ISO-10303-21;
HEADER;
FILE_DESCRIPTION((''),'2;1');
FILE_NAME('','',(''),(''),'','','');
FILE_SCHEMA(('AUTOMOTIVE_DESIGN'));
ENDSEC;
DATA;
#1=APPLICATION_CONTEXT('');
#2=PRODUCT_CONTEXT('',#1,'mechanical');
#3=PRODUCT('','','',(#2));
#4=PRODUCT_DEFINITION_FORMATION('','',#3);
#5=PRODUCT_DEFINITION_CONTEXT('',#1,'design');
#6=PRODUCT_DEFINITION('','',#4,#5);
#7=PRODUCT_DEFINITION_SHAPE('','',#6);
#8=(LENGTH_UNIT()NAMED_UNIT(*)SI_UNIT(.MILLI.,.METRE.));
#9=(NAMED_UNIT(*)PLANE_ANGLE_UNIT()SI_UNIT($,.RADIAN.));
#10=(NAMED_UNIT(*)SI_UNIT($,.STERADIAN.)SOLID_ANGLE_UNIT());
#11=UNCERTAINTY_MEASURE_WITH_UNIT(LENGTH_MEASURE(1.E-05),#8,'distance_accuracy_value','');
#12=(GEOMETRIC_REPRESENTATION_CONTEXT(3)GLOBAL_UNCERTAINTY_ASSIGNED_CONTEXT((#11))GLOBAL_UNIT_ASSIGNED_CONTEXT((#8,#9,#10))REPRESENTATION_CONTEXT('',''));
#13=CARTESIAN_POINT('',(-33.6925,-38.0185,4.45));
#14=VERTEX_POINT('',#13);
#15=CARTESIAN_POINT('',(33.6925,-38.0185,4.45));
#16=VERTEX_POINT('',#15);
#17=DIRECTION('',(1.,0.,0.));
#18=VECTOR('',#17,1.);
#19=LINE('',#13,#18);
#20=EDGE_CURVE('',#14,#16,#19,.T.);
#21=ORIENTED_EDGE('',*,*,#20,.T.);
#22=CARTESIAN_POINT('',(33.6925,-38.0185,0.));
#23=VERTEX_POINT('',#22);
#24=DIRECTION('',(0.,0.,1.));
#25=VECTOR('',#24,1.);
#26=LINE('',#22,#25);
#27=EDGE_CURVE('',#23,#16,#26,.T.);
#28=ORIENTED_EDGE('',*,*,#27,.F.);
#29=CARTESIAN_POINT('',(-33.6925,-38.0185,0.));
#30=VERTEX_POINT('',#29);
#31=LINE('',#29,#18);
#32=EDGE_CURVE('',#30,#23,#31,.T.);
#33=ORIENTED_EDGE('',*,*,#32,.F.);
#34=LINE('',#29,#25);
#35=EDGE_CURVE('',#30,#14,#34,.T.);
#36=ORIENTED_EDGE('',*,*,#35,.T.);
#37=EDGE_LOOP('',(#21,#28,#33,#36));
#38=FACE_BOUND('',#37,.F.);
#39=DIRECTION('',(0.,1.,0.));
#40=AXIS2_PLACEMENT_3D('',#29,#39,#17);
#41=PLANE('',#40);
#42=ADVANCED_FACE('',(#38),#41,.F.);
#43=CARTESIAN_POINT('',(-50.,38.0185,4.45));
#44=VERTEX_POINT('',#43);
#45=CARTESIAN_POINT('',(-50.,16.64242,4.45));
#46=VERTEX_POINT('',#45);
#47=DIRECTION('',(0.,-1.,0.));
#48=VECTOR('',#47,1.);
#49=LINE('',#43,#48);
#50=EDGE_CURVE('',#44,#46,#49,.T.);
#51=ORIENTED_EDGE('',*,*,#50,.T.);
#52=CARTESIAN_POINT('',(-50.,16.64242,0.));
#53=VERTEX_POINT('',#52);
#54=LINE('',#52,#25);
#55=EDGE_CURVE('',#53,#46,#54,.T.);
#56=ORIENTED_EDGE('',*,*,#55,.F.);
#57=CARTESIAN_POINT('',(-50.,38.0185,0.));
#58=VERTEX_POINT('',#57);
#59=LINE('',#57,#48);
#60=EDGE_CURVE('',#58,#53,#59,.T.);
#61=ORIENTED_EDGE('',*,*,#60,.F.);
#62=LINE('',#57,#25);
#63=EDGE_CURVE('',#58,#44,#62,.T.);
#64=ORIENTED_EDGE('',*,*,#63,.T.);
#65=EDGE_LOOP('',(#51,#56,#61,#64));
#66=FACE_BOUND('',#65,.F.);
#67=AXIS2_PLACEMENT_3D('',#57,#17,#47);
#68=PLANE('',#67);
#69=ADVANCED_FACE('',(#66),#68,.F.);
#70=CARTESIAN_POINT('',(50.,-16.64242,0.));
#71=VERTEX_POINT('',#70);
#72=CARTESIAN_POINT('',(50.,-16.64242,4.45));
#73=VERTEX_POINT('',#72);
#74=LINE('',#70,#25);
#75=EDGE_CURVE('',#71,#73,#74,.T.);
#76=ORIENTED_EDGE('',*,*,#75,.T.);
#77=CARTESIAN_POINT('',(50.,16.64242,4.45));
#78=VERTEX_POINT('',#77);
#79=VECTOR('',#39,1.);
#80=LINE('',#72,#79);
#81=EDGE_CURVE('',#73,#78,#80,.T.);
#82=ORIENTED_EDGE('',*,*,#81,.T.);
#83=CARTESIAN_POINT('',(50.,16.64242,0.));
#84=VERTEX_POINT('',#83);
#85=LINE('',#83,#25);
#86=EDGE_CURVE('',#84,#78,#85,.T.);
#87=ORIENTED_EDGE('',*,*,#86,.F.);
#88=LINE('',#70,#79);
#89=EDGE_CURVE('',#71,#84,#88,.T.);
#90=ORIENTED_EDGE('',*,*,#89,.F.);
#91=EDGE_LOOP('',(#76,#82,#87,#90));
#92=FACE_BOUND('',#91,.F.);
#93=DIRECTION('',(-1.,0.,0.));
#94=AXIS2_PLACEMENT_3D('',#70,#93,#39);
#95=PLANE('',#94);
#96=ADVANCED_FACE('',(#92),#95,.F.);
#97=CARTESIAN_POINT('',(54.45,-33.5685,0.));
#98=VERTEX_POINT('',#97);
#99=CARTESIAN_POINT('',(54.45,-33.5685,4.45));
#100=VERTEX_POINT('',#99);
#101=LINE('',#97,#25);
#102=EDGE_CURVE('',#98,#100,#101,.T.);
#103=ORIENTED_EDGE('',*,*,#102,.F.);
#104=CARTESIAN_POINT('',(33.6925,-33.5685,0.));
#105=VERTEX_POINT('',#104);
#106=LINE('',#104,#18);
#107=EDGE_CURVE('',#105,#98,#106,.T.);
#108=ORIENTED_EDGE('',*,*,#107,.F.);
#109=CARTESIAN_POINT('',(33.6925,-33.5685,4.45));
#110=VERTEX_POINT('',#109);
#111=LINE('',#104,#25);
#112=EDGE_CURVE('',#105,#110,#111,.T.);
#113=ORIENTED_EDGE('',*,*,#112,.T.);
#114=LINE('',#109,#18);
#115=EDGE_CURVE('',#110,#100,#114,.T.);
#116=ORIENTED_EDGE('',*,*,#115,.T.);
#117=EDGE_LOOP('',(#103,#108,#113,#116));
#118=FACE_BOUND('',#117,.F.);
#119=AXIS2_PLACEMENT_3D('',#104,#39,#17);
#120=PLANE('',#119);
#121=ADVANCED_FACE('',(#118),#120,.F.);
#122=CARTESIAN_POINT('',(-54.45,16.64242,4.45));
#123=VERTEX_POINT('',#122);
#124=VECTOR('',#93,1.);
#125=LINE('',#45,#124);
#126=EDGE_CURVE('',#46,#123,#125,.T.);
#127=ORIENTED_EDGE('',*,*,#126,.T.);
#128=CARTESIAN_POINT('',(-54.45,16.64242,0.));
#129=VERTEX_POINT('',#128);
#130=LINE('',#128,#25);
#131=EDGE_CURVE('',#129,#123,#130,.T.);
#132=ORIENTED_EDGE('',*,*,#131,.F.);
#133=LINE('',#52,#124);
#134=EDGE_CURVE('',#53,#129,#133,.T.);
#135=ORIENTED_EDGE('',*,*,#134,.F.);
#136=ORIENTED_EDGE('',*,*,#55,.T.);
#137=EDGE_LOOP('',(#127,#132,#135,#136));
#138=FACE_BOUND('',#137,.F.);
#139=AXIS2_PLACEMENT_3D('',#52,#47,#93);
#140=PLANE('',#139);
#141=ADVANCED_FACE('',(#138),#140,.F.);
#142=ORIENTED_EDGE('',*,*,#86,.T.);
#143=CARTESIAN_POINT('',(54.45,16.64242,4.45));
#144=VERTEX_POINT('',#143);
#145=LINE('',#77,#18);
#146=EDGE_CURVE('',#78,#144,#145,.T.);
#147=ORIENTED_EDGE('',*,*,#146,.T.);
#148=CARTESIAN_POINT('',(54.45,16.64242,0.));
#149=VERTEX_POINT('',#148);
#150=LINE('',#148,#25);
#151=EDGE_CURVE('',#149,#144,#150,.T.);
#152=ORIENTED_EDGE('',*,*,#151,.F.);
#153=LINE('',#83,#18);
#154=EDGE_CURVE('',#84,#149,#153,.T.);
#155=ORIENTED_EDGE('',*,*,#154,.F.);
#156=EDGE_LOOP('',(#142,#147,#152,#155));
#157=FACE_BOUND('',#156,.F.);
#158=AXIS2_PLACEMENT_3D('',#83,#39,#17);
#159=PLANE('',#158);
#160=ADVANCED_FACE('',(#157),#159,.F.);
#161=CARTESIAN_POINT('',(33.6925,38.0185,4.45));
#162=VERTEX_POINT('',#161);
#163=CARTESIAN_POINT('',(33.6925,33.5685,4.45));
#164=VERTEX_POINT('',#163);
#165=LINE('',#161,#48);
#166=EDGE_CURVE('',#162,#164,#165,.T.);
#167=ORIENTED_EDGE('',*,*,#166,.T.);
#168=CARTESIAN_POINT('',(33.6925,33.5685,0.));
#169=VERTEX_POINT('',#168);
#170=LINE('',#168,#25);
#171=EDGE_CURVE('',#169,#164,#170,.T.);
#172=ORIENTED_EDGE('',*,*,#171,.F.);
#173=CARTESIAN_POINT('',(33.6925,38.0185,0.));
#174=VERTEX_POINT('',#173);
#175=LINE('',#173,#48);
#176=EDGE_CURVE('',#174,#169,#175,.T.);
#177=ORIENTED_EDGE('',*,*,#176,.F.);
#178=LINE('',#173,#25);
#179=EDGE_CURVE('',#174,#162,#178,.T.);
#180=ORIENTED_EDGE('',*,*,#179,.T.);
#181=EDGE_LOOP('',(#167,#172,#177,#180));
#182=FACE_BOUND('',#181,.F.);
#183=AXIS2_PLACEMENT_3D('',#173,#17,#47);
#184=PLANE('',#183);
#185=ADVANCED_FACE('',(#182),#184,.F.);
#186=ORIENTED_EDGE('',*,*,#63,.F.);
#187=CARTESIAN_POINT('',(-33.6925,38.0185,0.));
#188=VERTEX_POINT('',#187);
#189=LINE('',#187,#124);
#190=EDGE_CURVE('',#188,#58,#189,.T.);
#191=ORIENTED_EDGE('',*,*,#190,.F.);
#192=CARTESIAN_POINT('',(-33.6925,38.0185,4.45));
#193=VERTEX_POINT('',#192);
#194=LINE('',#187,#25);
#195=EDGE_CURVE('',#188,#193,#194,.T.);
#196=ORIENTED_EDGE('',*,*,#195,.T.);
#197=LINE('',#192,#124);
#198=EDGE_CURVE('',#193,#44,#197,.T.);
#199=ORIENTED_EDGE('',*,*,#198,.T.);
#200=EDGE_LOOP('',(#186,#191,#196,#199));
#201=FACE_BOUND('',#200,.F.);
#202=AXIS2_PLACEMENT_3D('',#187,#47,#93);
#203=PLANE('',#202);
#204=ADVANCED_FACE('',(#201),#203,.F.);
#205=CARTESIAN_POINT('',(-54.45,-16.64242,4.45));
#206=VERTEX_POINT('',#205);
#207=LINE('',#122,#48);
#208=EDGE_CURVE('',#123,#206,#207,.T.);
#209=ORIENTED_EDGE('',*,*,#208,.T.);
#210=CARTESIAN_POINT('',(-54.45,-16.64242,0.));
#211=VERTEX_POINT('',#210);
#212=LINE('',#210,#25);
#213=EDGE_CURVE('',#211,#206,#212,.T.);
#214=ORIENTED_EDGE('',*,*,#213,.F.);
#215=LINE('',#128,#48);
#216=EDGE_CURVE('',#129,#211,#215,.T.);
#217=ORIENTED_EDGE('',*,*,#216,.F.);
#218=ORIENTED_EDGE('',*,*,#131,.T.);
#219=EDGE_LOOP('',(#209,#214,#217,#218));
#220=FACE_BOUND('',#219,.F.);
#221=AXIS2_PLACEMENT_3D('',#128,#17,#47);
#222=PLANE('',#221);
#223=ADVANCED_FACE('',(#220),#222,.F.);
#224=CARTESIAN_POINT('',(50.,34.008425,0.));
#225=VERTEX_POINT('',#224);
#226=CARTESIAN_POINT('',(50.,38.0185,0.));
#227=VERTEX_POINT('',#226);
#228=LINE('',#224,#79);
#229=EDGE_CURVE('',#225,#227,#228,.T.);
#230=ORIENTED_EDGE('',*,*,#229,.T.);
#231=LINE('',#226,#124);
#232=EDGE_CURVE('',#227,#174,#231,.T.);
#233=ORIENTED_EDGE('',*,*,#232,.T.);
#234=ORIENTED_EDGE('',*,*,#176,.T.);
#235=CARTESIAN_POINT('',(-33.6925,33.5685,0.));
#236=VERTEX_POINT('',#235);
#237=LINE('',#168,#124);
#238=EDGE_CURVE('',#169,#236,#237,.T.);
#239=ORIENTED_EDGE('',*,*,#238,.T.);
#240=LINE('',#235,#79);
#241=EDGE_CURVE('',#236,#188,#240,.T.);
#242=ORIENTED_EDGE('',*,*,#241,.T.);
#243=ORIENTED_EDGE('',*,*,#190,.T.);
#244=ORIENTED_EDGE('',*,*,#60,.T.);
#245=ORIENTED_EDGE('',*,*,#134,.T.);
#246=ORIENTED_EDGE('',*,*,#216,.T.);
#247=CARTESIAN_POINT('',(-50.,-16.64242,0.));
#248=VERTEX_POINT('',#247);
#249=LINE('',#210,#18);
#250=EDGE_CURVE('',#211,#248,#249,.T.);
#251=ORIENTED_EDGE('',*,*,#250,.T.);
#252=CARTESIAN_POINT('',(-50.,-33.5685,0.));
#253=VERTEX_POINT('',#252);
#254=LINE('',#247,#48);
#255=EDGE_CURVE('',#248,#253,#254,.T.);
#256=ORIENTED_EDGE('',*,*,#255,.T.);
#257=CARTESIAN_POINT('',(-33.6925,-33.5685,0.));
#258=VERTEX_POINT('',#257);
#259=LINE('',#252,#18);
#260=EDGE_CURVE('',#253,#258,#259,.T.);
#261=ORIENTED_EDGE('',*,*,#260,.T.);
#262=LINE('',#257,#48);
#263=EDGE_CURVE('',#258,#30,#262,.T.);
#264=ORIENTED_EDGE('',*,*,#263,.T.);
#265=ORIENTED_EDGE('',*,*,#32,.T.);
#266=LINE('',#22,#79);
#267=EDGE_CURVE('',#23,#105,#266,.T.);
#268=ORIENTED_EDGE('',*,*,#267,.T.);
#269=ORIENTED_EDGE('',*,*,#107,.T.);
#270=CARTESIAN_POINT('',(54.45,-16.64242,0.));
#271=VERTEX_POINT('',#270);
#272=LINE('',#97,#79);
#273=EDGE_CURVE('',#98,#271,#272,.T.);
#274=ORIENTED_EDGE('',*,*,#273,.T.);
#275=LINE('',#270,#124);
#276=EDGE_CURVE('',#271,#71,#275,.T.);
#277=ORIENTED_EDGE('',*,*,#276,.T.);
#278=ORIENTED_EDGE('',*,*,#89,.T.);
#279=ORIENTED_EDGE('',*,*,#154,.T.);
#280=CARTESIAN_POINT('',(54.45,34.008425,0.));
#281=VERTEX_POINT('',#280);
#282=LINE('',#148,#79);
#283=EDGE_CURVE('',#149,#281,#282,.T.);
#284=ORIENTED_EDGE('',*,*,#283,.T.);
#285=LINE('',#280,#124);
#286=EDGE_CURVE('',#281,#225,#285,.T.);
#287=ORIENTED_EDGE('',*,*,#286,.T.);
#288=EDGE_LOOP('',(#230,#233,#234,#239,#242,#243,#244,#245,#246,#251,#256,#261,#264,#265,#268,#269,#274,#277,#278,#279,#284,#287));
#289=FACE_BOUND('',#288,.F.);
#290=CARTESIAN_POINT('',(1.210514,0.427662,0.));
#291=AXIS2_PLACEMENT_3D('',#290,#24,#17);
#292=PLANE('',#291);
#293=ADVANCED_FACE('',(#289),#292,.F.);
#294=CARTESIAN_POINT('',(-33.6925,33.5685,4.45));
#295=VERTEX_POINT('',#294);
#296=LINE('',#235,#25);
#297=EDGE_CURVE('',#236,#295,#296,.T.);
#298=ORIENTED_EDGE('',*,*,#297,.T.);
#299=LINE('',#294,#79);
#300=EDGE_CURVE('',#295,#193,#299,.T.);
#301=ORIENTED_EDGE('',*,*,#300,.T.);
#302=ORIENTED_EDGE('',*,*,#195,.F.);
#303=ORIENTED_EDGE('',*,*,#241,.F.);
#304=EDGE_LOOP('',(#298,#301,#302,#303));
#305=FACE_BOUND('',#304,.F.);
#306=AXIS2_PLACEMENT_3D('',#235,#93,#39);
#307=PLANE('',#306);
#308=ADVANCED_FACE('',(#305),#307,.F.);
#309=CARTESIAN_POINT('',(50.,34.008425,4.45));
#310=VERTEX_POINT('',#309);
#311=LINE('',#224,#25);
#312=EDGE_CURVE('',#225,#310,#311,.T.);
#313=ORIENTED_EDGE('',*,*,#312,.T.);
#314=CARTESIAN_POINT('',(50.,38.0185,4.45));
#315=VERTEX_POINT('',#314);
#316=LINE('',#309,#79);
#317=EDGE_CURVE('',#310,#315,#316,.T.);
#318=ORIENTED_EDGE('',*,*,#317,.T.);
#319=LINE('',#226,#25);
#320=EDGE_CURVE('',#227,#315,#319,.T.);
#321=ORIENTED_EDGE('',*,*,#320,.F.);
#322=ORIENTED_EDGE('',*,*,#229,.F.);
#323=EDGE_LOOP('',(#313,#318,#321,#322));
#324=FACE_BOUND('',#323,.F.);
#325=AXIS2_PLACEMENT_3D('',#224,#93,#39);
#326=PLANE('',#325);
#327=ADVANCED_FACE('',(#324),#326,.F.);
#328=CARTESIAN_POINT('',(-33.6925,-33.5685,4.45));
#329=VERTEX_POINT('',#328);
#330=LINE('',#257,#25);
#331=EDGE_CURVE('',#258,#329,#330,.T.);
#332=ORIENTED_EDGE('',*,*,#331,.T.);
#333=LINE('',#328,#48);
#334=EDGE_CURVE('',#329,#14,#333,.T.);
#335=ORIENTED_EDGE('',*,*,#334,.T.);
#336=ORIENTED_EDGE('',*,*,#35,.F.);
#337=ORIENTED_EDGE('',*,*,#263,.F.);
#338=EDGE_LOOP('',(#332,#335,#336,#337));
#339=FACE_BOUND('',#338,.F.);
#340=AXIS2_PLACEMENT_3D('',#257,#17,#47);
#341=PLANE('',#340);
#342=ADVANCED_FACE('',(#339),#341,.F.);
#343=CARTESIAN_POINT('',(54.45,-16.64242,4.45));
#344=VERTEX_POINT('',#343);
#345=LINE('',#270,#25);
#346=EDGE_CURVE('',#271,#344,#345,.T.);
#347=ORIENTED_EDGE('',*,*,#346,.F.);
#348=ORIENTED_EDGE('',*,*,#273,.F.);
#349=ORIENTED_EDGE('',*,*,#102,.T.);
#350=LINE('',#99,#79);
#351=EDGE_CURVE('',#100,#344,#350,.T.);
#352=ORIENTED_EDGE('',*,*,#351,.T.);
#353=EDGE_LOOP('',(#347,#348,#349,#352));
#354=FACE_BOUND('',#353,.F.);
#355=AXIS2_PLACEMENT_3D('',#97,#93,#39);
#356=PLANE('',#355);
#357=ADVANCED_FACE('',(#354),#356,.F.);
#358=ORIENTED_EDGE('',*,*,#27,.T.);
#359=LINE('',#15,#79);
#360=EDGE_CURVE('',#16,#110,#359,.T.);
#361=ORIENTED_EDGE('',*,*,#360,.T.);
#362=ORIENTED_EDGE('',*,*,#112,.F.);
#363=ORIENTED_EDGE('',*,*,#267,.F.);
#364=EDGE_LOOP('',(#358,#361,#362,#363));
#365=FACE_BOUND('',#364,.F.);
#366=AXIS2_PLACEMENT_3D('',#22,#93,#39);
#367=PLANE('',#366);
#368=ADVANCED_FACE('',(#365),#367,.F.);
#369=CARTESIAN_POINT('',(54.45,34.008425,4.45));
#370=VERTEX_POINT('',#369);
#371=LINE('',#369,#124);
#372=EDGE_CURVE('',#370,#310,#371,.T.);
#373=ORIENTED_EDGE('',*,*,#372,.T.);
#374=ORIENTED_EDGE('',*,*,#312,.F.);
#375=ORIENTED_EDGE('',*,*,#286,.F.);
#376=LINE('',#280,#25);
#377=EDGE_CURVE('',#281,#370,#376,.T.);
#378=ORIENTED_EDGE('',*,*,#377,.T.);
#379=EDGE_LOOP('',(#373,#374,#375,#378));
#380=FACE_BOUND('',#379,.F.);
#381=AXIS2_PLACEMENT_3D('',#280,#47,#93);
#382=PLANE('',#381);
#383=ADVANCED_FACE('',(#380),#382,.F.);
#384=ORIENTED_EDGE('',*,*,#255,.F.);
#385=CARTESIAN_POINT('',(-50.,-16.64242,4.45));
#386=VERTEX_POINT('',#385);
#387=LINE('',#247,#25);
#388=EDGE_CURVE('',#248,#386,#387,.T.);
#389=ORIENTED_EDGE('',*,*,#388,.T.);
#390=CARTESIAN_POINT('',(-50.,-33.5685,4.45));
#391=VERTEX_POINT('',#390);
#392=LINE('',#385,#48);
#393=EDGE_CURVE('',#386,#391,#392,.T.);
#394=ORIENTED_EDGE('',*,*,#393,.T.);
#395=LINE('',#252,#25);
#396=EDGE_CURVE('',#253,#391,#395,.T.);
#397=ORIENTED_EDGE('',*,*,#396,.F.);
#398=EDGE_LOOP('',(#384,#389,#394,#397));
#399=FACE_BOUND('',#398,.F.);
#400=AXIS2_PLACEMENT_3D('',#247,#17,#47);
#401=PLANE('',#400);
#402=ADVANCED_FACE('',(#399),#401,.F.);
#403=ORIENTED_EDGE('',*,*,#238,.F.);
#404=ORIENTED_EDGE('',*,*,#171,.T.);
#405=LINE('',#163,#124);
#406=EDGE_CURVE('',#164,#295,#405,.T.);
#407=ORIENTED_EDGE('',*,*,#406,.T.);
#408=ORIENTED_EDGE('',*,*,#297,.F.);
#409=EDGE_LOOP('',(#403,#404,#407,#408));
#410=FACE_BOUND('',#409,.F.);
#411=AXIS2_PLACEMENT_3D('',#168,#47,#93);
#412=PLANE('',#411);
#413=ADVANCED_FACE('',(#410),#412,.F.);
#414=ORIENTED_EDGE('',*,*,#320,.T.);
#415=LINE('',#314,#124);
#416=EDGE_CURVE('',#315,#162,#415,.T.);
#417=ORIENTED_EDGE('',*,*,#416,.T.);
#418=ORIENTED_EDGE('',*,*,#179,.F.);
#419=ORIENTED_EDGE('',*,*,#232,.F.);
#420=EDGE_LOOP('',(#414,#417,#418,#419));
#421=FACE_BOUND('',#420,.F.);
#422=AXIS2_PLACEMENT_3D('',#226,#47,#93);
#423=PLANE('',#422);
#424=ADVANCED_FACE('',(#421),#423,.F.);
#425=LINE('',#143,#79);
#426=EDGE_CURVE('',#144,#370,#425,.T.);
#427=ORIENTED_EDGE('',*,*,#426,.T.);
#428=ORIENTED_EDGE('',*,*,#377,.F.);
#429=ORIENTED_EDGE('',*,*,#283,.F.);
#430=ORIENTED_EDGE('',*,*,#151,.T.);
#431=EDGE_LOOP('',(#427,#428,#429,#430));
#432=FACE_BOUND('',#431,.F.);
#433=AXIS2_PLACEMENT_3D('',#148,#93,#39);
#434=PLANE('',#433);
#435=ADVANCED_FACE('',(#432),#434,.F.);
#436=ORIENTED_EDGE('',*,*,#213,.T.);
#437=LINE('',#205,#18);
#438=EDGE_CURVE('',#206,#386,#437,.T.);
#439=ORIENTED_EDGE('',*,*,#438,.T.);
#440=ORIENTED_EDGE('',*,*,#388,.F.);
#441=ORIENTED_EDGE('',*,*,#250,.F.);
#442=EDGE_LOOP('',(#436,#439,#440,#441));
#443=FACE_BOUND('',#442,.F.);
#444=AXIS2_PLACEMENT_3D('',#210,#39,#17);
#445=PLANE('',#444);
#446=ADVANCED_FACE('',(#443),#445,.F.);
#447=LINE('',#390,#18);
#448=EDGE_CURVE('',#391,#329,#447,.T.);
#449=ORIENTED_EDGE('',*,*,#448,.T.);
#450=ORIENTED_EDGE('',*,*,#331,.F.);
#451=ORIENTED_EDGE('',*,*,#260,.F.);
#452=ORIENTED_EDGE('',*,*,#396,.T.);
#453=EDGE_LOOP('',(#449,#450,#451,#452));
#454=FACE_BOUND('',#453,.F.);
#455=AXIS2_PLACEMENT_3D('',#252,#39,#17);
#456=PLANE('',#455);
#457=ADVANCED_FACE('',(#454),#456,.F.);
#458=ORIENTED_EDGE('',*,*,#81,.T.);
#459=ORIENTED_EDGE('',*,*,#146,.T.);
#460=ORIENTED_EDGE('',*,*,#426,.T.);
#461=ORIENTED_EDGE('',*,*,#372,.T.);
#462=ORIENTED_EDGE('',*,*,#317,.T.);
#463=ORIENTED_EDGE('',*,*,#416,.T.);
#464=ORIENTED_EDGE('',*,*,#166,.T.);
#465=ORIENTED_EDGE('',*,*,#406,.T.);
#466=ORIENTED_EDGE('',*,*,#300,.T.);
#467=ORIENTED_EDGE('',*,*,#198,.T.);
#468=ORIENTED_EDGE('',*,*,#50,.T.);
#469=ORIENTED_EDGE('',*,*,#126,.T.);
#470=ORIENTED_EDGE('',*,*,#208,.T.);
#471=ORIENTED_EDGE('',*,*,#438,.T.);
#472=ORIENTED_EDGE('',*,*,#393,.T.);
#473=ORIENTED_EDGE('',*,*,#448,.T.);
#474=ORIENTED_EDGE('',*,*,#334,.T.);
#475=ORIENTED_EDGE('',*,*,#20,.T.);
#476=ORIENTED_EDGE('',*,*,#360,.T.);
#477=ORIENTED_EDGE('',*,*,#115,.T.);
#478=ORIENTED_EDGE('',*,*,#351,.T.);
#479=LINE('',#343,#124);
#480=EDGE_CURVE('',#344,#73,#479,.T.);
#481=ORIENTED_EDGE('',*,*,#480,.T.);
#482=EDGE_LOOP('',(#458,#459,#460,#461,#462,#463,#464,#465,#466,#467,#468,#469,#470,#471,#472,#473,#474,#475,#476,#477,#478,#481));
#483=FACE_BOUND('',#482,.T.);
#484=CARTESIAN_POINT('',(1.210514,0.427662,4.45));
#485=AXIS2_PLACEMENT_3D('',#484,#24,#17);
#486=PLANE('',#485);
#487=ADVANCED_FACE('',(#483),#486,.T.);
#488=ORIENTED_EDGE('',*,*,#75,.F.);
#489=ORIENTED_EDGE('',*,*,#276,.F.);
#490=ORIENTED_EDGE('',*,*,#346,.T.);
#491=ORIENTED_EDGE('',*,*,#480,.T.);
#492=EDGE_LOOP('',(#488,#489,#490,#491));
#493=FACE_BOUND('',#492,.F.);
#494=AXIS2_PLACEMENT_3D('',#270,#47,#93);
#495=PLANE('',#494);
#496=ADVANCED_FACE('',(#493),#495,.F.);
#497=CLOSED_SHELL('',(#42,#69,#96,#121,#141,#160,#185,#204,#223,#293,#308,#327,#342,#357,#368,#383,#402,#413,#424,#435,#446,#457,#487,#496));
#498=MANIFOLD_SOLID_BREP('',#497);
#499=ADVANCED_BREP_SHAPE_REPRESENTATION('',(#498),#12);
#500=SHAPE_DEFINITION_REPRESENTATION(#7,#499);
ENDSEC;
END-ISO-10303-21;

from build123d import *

# Parameters (mm, degrees)
F1_DEPTH = 4.45


with BuildPart() as f1:
    # F0 (on Top) → F1 (new body)
    with BuildSketch(Plane.XY):
        Polygon((33.6925, -33.5685), (50, -33.5685), (54.45, -33.5685), (54.45, -16.64242), (50, -16.64242), (50, 16.64242), (54.45, 16.64242), (54.45, 34.008425), (50, 34.008425), (50, 38.0185), (33.6925, 38.0185), (33.6925, 33.5685), (-33.6925, 33.5685), (-33.6925, 38.0185), (-50, 38.0185), (-50, 33.5685), (-50, 16.64242), (-54.45, 16.64242), (-54.45, -16.64242), (-50, -16.64242), (-50, -33.5685), (-33.6925, -33.5685), (-33.6925, -38.0185), (33.6925, -38.0185), align=None)
    extrude(amount=F1_DEPTH)


solid = f1.part
